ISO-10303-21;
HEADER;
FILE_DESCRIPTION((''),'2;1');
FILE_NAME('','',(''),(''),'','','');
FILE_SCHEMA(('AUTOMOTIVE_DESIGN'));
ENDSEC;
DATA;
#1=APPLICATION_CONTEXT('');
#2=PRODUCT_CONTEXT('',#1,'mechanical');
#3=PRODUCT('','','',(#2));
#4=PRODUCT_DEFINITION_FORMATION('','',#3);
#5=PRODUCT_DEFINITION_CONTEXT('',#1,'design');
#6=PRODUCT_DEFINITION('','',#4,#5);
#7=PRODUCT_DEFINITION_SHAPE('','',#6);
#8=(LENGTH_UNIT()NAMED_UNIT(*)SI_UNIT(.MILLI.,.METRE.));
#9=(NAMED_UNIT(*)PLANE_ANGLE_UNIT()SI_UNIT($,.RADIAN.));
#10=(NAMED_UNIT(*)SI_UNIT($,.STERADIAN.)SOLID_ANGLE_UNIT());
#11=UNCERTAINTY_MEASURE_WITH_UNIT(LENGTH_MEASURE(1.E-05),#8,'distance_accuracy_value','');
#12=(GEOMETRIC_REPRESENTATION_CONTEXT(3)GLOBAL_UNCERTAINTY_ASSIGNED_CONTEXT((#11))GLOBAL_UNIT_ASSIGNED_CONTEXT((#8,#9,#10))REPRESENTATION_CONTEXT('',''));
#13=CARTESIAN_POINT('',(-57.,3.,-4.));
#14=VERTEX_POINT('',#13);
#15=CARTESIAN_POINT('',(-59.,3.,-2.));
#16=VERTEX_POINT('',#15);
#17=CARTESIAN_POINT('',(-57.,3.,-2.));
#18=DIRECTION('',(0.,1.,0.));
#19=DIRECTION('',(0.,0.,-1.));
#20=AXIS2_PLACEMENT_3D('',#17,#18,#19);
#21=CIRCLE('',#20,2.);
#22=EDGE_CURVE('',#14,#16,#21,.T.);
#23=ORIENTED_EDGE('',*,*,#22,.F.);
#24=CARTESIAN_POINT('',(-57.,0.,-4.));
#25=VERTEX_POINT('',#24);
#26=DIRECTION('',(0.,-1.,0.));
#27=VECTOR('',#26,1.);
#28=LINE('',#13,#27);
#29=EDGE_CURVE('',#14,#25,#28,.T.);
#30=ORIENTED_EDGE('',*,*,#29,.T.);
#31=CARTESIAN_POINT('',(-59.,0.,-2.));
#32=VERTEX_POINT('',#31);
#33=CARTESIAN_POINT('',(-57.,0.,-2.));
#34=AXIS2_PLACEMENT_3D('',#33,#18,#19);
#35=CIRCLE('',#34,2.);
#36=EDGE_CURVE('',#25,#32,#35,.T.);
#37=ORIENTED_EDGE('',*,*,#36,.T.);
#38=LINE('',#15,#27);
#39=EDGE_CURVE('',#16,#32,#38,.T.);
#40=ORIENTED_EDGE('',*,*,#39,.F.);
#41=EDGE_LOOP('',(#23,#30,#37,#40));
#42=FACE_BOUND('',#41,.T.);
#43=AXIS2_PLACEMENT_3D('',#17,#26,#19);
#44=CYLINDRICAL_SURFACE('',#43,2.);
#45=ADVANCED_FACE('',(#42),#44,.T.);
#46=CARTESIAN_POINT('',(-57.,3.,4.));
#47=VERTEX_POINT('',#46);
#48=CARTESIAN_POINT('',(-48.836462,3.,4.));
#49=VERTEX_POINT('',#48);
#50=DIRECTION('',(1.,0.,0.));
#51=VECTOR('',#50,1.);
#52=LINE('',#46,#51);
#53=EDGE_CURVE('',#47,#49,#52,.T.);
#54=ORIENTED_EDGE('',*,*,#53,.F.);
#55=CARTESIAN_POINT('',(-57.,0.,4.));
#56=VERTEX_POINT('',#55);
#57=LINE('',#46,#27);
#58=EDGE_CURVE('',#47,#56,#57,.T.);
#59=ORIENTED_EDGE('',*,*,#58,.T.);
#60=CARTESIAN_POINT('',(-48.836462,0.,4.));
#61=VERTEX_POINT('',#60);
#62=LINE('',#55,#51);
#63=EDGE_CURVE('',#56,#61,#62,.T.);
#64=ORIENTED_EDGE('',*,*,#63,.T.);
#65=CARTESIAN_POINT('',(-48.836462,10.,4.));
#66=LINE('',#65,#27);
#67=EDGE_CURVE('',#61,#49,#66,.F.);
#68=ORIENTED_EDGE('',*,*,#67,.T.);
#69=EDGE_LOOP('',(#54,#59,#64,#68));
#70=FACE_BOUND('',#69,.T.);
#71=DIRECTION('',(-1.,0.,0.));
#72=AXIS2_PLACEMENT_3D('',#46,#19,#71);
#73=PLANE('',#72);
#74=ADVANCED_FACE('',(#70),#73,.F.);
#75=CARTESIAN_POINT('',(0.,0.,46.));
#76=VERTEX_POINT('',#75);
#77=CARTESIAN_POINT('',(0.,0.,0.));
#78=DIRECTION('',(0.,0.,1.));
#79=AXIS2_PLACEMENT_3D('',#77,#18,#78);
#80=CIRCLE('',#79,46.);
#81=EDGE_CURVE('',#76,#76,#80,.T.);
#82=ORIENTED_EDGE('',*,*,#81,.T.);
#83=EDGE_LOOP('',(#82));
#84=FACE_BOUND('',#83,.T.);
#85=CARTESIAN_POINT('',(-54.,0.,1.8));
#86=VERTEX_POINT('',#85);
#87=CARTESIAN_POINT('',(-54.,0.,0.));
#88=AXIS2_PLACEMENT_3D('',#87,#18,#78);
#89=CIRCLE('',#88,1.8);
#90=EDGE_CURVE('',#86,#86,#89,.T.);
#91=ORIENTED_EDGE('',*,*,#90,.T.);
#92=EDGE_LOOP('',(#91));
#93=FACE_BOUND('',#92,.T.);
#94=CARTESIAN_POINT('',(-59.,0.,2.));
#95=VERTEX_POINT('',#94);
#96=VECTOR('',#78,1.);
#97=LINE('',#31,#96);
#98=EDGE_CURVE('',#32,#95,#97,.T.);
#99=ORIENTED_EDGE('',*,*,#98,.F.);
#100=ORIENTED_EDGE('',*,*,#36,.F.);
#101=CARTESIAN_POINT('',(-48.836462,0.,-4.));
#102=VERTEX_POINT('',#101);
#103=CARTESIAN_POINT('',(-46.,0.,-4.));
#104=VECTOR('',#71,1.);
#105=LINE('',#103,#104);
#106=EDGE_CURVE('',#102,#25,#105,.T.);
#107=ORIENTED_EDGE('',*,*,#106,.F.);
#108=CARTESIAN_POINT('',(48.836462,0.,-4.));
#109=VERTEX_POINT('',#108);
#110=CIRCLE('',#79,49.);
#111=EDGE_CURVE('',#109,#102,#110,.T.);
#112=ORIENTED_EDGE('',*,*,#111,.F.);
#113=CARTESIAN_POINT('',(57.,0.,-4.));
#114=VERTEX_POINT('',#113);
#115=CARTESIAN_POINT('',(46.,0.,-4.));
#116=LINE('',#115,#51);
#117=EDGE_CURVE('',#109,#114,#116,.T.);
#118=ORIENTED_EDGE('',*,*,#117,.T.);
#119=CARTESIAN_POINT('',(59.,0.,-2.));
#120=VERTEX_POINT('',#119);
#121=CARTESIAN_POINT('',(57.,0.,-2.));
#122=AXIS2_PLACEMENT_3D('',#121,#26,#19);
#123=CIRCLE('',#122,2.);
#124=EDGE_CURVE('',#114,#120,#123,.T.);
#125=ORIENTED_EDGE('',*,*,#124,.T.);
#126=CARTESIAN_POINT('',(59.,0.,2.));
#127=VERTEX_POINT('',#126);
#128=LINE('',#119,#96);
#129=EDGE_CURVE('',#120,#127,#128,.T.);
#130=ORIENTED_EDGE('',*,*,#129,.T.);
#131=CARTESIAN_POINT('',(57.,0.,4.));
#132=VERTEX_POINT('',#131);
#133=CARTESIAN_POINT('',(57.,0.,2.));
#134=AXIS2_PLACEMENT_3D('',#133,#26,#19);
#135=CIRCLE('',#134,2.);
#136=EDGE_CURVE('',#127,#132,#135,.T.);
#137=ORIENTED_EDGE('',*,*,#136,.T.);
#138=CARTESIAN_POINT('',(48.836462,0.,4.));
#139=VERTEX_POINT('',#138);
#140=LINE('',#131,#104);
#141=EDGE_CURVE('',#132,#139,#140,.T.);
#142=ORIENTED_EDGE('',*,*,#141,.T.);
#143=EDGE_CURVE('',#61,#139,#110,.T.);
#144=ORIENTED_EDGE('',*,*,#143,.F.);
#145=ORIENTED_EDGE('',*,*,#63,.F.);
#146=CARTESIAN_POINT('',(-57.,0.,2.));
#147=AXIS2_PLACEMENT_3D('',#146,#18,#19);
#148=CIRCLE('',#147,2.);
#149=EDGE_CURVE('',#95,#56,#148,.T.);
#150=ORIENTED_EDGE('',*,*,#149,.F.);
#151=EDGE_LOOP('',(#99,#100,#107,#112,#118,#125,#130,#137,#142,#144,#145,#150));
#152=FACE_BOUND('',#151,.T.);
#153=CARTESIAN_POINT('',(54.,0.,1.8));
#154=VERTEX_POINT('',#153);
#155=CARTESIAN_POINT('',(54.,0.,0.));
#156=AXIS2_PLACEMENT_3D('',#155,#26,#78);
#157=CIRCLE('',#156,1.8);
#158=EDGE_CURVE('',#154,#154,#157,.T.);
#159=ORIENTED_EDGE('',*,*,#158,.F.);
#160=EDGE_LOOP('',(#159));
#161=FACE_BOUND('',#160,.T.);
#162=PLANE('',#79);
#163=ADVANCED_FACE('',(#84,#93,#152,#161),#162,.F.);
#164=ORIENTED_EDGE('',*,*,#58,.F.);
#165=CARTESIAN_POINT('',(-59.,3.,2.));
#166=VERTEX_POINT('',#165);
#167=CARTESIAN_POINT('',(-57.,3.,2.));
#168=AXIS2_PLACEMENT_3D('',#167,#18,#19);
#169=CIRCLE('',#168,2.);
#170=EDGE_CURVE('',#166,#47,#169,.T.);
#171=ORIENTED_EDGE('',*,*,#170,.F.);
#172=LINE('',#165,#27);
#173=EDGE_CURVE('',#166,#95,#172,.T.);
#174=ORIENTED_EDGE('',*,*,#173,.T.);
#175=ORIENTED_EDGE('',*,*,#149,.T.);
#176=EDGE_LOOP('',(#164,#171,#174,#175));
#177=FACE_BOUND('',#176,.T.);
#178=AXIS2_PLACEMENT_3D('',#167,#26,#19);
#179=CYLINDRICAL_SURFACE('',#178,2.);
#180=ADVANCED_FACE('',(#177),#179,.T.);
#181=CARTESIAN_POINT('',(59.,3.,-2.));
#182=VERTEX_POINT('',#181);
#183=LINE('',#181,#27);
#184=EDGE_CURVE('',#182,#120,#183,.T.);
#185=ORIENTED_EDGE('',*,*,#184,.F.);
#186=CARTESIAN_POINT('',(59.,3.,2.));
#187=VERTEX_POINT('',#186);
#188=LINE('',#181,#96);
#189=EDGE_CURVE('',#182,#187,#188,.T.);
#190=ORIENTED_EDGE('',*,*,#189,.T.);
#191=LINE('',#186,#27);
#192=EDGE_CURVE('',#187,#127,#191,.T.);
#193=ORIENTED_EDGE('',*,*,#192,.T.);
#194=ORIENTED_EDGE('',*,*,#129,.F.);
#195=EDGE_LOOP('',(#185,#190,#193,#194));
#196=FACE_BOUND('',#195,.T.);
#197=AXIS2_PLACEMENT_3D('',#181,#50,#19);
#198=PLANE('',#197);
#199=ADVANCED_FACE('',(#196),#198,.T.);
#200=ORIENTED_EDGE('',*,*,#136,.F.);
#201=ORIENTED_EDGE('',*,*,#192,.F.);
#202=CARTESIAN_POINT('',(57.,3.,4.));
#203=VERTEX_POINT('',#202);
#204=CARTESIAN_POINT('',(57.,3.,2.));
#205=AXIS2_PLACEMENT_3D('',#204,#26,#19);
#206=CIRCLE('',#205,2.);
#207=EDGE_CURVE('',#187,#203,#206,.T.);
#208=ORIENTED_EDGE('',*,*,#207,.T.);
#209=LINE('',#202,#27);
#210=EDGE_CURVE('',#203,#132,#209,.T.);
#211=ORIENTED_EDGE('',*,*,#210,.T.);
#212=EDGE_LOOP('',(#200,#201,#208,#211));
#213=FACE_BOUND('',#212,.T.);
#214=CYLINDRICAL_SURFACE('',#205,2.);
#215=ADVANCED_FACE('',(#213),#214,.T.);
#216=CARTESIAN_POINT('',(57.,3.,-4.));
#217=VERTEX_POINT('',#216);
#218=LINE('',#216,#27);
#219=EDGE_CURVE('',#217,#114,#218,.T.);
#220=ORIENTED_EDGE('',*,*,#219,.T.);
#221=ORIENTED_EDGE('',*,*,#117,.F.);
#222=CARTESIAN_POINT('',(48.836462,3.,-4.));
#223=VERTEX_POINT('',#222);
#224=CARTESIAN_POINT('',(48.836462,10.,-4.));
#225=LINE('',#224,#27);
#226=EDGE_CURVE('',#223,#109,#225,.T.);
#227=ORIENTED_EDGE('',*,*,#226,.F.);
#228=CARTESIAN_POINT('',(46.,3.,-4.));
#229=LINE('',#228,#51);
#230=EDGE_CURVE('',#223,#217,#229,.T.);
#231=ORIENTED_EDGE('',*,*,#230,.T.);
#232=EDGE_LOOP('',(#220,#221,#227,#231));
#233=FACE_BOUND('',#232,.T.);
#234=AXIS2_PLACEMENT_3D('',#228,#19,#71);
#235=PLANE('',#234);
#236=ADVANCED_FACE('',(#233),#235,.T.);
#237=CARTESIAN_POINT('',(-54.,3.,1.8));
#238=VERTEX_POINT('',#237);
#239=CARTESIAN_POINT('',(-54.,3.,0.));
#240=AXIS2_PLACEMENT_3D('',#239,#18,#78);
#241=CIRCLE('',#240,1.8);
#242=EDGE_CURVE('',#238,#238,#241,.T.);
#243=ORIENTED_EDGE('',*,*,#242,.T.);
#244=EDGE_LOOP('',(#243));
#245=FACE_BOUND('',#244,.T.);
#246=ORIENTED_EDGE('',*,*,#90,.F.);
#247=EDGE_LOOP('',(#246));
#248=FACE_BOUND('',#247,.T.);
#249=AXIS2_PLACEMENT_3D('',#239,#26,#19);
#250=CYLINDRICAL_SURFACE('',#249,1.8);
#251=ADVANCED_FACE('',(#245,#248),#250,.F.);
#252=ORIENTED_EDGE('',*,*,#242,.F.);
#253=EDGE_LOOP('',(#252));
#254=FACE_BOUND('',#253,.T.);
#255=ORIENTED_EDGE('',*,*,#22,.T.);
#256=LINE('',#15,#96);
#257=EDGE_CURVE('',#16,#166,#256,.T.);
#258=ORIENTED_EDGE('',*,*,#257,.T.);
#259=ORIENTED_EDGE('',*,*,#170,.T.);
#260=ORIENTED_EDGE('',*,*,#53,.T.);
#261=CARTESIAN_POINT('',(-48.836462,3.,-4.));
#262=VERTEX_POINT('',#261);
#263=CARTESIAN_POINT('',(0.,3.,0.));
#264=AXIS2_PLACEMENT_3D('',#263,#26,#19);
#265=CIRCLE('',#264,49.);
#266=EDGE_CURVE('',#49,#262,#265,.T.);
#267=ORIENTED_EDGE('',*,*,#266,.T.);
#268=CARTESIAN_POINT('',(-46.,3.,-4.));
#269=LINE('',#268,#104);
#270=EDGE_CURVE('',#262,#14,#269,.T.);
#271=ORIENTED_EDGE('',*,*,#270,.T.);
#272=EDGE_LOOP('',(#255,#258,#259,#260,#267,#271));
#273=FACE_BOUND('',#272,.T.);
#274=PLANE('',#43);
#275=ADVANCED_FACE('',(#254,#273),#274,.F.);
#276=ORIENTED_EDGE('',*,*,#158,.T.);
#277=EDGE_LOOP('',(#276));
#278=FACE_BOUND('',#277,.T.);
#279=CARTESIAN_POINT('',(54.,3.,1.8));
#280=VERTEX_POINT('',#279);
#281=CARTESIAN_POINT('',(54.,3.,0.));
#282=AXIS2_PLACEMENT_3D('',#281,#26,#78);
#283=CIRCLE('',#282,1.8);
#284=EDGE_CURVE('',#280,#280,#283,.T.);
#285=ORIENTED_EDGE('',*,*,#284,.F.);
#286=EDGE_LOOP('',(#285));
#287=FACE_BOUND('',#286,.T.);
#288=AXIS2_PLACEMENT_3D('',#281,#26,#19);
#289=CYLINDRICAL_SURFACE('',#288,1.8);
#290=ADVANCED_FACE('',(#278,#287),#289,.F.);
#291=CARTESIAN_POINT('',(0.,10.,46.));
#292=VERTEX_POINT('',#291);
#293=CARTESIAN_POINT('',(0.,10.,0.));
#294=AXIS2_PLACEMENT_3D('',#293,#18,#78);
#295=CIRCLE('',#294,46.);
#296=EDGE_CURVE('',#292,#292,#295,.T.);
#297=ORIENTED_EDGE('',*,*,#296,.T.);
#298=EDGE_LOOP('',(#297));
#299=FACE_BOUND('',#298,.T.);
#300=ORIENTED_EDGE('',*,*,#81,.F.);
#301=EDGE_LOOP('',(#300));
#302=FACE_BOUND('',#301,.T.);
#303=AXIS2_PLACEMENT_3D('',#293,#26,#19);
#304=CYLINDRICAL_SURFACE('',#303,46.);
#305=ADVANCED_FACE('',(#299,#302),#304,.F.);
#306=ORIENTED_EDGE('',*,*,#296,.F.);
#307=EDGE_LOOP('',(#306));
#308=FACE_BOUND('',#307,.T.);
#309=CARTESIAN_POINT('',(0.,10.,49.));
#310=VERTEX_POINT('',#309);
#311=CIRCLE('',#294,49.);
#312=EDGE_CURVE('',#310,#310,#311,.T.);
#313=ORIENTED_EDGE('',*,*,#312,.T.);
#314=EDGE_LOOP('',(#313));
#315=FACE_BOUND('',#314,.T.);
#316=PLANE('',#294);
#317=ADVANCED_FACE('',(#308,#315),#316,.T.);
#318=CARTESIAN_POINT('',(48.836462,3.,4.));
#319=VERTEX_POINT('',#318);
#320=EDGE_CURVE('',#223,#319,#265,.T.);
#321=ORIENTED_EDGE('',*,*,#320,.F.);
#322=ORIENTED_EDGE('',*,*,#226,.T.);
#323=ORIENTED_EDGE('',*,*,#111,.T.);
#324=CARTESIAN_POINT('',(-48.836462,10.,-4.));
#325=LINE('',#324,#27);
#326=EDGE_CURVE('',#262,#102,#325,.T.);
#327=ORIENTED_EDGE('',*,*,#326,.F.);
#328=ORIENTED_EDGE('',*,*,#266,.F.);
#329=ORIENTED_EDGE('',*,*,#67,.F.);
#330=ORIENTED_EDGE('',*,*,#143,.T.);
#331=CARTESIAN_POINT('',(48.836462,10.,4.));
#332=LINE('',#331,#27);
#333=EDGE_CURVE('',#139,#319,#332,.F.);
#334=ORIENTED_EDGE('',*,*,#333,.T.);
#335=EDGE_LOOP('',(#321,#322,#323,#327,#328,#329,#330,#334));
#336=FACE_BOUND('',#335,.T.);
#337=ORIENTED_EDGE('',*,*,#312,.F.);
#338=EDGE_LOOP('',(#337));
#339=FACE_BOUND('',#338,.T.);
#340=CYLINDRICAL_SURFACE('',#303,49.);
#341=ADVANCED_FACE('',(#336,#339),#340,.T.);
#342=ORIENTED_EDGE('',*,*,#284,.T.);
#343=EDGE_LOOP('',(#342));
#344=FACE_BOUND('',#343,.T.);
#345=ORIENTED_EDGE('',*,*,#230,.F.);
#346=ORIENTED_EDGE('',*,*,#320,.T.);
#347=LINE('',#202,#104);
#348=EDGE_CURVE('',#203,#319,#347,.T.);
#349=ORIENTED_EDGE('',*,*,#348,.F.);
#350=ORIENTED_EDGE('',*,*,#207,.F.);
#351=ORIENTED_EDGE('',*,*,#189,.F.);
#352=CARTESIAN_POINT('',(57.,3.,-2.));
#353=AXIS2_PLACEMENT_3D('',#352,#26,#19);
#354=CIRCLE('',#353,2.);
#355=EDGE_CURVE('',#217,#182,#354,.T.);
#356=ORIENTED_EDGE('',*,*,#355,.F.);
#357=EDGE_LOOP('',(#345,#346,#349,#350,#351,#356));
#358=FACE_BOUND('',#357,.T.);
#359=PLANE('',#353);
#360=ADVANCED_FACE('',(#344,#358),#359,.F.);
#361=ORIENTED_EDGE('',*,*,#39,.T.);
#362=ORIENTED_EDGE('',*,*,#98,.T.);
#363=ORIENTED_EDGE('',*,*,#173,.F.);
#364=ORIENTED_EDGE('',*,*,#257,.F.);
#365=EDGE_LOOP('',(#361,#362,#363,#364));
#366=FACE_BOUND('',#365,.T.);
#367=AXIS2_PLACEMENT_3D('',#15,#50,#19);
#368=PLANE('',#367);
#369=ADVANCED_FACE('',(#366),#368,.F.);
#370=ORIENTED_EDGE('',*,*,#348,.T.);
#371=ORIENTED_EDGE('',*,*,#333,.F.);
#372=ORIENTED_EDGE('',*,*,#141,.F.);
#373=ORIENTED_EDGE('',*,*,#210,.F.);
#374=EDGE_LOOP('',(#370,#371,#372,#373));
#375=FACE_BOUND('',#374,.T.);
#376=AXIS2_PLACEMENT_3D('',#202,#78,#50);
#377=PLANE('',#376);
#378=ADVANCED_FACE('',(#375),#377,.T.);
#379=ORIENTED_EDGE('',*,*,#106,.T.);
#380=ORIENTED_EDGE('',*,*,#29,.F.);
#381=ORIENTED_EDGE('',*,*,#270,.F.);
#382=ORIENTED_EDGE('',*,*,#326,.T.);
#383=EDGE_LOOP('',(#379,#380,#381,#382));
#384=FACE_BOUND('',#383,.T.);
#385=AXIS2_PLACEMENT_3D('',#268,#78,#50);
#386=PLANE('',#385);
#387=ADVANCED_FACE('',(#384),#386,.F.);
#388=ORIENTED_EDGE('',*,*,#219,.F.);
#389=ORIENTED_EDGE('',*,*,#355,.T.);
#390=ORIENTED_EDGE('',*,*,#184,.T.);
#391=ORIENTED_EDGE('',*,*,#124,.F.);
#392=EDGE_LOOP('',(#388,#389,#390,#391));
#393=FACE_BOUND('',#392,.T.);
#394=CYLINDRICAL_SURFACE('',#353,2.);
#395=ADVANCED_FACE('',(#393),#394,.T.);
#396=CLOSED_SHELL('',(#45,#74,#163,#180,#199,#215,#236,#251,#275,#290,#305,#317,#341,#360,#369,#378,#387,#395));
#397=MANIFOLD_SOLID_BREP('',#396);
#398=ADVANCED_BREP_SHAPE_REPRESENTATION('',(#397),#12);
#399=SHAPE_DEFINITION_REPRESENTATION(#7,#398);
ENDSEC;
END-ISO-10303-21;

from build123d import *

# Parameters (mm, degrees)
SKETCH1_R           = 49
SKETCH1_R_2         = 46
BOSS_EXTRUDE1_DEPTH = 10
SKETCH2_R           = 1.8
BOSS_EXTRUDE2_DEPTH = 3


with BuildPart() as part:
    # Sketch1 → Boss-Extrude1 (new body)
    with BuildSketch(Plane(origin=(0, 0, 0), x_dir=(1, 0, 0), z_dir=(0, 1, 0))):
        Circle(SKETCH1_R)
        Circle(SKETCH1_R_2, mode=Mode.SUBTRACT)
    extrude(amount=BOSS_EXTRUDE1_DEPTH)

    # Sketch2 → Boss-Extrude2 (add)
    with BuildSketch(Plane(origin=(0, 0, 0), x_dir=(1, 0, 0), z_dir=(0, 1, 0))):
        with BuildLine():
            Line((-46, 0), (-46, 4))
            Line((-46, 4), (-57, 4))
            ThreePointArc((-57, 4), (-58.414213562, 3.414213562), (-59, 2))
            Line((-59, 2), (-59, -2))
            ThreePointArc((-59, -2), (-58.414213562, -3.414213562), (-57, -4))
            Line((-57, -4), (-46, -4))
            Line((-46, -4), (-46, 0))
        make_face()
        with Locations((-54, 0)):
            Circle(SKETCH2_R, mode=Mode.SUBTRACT)
    boss_extrude2 = extrude(amount=BOSS_EXTRUDE2_DEPTH)

    # Mirror1: Boss-Extrude2 across plane
    add(boss_extrude2.mirror(Plane(origin=(0, 0, 0), x_dir=(0, 0, 1), z_dir=(1, 0, 0))))


solid = part.part
